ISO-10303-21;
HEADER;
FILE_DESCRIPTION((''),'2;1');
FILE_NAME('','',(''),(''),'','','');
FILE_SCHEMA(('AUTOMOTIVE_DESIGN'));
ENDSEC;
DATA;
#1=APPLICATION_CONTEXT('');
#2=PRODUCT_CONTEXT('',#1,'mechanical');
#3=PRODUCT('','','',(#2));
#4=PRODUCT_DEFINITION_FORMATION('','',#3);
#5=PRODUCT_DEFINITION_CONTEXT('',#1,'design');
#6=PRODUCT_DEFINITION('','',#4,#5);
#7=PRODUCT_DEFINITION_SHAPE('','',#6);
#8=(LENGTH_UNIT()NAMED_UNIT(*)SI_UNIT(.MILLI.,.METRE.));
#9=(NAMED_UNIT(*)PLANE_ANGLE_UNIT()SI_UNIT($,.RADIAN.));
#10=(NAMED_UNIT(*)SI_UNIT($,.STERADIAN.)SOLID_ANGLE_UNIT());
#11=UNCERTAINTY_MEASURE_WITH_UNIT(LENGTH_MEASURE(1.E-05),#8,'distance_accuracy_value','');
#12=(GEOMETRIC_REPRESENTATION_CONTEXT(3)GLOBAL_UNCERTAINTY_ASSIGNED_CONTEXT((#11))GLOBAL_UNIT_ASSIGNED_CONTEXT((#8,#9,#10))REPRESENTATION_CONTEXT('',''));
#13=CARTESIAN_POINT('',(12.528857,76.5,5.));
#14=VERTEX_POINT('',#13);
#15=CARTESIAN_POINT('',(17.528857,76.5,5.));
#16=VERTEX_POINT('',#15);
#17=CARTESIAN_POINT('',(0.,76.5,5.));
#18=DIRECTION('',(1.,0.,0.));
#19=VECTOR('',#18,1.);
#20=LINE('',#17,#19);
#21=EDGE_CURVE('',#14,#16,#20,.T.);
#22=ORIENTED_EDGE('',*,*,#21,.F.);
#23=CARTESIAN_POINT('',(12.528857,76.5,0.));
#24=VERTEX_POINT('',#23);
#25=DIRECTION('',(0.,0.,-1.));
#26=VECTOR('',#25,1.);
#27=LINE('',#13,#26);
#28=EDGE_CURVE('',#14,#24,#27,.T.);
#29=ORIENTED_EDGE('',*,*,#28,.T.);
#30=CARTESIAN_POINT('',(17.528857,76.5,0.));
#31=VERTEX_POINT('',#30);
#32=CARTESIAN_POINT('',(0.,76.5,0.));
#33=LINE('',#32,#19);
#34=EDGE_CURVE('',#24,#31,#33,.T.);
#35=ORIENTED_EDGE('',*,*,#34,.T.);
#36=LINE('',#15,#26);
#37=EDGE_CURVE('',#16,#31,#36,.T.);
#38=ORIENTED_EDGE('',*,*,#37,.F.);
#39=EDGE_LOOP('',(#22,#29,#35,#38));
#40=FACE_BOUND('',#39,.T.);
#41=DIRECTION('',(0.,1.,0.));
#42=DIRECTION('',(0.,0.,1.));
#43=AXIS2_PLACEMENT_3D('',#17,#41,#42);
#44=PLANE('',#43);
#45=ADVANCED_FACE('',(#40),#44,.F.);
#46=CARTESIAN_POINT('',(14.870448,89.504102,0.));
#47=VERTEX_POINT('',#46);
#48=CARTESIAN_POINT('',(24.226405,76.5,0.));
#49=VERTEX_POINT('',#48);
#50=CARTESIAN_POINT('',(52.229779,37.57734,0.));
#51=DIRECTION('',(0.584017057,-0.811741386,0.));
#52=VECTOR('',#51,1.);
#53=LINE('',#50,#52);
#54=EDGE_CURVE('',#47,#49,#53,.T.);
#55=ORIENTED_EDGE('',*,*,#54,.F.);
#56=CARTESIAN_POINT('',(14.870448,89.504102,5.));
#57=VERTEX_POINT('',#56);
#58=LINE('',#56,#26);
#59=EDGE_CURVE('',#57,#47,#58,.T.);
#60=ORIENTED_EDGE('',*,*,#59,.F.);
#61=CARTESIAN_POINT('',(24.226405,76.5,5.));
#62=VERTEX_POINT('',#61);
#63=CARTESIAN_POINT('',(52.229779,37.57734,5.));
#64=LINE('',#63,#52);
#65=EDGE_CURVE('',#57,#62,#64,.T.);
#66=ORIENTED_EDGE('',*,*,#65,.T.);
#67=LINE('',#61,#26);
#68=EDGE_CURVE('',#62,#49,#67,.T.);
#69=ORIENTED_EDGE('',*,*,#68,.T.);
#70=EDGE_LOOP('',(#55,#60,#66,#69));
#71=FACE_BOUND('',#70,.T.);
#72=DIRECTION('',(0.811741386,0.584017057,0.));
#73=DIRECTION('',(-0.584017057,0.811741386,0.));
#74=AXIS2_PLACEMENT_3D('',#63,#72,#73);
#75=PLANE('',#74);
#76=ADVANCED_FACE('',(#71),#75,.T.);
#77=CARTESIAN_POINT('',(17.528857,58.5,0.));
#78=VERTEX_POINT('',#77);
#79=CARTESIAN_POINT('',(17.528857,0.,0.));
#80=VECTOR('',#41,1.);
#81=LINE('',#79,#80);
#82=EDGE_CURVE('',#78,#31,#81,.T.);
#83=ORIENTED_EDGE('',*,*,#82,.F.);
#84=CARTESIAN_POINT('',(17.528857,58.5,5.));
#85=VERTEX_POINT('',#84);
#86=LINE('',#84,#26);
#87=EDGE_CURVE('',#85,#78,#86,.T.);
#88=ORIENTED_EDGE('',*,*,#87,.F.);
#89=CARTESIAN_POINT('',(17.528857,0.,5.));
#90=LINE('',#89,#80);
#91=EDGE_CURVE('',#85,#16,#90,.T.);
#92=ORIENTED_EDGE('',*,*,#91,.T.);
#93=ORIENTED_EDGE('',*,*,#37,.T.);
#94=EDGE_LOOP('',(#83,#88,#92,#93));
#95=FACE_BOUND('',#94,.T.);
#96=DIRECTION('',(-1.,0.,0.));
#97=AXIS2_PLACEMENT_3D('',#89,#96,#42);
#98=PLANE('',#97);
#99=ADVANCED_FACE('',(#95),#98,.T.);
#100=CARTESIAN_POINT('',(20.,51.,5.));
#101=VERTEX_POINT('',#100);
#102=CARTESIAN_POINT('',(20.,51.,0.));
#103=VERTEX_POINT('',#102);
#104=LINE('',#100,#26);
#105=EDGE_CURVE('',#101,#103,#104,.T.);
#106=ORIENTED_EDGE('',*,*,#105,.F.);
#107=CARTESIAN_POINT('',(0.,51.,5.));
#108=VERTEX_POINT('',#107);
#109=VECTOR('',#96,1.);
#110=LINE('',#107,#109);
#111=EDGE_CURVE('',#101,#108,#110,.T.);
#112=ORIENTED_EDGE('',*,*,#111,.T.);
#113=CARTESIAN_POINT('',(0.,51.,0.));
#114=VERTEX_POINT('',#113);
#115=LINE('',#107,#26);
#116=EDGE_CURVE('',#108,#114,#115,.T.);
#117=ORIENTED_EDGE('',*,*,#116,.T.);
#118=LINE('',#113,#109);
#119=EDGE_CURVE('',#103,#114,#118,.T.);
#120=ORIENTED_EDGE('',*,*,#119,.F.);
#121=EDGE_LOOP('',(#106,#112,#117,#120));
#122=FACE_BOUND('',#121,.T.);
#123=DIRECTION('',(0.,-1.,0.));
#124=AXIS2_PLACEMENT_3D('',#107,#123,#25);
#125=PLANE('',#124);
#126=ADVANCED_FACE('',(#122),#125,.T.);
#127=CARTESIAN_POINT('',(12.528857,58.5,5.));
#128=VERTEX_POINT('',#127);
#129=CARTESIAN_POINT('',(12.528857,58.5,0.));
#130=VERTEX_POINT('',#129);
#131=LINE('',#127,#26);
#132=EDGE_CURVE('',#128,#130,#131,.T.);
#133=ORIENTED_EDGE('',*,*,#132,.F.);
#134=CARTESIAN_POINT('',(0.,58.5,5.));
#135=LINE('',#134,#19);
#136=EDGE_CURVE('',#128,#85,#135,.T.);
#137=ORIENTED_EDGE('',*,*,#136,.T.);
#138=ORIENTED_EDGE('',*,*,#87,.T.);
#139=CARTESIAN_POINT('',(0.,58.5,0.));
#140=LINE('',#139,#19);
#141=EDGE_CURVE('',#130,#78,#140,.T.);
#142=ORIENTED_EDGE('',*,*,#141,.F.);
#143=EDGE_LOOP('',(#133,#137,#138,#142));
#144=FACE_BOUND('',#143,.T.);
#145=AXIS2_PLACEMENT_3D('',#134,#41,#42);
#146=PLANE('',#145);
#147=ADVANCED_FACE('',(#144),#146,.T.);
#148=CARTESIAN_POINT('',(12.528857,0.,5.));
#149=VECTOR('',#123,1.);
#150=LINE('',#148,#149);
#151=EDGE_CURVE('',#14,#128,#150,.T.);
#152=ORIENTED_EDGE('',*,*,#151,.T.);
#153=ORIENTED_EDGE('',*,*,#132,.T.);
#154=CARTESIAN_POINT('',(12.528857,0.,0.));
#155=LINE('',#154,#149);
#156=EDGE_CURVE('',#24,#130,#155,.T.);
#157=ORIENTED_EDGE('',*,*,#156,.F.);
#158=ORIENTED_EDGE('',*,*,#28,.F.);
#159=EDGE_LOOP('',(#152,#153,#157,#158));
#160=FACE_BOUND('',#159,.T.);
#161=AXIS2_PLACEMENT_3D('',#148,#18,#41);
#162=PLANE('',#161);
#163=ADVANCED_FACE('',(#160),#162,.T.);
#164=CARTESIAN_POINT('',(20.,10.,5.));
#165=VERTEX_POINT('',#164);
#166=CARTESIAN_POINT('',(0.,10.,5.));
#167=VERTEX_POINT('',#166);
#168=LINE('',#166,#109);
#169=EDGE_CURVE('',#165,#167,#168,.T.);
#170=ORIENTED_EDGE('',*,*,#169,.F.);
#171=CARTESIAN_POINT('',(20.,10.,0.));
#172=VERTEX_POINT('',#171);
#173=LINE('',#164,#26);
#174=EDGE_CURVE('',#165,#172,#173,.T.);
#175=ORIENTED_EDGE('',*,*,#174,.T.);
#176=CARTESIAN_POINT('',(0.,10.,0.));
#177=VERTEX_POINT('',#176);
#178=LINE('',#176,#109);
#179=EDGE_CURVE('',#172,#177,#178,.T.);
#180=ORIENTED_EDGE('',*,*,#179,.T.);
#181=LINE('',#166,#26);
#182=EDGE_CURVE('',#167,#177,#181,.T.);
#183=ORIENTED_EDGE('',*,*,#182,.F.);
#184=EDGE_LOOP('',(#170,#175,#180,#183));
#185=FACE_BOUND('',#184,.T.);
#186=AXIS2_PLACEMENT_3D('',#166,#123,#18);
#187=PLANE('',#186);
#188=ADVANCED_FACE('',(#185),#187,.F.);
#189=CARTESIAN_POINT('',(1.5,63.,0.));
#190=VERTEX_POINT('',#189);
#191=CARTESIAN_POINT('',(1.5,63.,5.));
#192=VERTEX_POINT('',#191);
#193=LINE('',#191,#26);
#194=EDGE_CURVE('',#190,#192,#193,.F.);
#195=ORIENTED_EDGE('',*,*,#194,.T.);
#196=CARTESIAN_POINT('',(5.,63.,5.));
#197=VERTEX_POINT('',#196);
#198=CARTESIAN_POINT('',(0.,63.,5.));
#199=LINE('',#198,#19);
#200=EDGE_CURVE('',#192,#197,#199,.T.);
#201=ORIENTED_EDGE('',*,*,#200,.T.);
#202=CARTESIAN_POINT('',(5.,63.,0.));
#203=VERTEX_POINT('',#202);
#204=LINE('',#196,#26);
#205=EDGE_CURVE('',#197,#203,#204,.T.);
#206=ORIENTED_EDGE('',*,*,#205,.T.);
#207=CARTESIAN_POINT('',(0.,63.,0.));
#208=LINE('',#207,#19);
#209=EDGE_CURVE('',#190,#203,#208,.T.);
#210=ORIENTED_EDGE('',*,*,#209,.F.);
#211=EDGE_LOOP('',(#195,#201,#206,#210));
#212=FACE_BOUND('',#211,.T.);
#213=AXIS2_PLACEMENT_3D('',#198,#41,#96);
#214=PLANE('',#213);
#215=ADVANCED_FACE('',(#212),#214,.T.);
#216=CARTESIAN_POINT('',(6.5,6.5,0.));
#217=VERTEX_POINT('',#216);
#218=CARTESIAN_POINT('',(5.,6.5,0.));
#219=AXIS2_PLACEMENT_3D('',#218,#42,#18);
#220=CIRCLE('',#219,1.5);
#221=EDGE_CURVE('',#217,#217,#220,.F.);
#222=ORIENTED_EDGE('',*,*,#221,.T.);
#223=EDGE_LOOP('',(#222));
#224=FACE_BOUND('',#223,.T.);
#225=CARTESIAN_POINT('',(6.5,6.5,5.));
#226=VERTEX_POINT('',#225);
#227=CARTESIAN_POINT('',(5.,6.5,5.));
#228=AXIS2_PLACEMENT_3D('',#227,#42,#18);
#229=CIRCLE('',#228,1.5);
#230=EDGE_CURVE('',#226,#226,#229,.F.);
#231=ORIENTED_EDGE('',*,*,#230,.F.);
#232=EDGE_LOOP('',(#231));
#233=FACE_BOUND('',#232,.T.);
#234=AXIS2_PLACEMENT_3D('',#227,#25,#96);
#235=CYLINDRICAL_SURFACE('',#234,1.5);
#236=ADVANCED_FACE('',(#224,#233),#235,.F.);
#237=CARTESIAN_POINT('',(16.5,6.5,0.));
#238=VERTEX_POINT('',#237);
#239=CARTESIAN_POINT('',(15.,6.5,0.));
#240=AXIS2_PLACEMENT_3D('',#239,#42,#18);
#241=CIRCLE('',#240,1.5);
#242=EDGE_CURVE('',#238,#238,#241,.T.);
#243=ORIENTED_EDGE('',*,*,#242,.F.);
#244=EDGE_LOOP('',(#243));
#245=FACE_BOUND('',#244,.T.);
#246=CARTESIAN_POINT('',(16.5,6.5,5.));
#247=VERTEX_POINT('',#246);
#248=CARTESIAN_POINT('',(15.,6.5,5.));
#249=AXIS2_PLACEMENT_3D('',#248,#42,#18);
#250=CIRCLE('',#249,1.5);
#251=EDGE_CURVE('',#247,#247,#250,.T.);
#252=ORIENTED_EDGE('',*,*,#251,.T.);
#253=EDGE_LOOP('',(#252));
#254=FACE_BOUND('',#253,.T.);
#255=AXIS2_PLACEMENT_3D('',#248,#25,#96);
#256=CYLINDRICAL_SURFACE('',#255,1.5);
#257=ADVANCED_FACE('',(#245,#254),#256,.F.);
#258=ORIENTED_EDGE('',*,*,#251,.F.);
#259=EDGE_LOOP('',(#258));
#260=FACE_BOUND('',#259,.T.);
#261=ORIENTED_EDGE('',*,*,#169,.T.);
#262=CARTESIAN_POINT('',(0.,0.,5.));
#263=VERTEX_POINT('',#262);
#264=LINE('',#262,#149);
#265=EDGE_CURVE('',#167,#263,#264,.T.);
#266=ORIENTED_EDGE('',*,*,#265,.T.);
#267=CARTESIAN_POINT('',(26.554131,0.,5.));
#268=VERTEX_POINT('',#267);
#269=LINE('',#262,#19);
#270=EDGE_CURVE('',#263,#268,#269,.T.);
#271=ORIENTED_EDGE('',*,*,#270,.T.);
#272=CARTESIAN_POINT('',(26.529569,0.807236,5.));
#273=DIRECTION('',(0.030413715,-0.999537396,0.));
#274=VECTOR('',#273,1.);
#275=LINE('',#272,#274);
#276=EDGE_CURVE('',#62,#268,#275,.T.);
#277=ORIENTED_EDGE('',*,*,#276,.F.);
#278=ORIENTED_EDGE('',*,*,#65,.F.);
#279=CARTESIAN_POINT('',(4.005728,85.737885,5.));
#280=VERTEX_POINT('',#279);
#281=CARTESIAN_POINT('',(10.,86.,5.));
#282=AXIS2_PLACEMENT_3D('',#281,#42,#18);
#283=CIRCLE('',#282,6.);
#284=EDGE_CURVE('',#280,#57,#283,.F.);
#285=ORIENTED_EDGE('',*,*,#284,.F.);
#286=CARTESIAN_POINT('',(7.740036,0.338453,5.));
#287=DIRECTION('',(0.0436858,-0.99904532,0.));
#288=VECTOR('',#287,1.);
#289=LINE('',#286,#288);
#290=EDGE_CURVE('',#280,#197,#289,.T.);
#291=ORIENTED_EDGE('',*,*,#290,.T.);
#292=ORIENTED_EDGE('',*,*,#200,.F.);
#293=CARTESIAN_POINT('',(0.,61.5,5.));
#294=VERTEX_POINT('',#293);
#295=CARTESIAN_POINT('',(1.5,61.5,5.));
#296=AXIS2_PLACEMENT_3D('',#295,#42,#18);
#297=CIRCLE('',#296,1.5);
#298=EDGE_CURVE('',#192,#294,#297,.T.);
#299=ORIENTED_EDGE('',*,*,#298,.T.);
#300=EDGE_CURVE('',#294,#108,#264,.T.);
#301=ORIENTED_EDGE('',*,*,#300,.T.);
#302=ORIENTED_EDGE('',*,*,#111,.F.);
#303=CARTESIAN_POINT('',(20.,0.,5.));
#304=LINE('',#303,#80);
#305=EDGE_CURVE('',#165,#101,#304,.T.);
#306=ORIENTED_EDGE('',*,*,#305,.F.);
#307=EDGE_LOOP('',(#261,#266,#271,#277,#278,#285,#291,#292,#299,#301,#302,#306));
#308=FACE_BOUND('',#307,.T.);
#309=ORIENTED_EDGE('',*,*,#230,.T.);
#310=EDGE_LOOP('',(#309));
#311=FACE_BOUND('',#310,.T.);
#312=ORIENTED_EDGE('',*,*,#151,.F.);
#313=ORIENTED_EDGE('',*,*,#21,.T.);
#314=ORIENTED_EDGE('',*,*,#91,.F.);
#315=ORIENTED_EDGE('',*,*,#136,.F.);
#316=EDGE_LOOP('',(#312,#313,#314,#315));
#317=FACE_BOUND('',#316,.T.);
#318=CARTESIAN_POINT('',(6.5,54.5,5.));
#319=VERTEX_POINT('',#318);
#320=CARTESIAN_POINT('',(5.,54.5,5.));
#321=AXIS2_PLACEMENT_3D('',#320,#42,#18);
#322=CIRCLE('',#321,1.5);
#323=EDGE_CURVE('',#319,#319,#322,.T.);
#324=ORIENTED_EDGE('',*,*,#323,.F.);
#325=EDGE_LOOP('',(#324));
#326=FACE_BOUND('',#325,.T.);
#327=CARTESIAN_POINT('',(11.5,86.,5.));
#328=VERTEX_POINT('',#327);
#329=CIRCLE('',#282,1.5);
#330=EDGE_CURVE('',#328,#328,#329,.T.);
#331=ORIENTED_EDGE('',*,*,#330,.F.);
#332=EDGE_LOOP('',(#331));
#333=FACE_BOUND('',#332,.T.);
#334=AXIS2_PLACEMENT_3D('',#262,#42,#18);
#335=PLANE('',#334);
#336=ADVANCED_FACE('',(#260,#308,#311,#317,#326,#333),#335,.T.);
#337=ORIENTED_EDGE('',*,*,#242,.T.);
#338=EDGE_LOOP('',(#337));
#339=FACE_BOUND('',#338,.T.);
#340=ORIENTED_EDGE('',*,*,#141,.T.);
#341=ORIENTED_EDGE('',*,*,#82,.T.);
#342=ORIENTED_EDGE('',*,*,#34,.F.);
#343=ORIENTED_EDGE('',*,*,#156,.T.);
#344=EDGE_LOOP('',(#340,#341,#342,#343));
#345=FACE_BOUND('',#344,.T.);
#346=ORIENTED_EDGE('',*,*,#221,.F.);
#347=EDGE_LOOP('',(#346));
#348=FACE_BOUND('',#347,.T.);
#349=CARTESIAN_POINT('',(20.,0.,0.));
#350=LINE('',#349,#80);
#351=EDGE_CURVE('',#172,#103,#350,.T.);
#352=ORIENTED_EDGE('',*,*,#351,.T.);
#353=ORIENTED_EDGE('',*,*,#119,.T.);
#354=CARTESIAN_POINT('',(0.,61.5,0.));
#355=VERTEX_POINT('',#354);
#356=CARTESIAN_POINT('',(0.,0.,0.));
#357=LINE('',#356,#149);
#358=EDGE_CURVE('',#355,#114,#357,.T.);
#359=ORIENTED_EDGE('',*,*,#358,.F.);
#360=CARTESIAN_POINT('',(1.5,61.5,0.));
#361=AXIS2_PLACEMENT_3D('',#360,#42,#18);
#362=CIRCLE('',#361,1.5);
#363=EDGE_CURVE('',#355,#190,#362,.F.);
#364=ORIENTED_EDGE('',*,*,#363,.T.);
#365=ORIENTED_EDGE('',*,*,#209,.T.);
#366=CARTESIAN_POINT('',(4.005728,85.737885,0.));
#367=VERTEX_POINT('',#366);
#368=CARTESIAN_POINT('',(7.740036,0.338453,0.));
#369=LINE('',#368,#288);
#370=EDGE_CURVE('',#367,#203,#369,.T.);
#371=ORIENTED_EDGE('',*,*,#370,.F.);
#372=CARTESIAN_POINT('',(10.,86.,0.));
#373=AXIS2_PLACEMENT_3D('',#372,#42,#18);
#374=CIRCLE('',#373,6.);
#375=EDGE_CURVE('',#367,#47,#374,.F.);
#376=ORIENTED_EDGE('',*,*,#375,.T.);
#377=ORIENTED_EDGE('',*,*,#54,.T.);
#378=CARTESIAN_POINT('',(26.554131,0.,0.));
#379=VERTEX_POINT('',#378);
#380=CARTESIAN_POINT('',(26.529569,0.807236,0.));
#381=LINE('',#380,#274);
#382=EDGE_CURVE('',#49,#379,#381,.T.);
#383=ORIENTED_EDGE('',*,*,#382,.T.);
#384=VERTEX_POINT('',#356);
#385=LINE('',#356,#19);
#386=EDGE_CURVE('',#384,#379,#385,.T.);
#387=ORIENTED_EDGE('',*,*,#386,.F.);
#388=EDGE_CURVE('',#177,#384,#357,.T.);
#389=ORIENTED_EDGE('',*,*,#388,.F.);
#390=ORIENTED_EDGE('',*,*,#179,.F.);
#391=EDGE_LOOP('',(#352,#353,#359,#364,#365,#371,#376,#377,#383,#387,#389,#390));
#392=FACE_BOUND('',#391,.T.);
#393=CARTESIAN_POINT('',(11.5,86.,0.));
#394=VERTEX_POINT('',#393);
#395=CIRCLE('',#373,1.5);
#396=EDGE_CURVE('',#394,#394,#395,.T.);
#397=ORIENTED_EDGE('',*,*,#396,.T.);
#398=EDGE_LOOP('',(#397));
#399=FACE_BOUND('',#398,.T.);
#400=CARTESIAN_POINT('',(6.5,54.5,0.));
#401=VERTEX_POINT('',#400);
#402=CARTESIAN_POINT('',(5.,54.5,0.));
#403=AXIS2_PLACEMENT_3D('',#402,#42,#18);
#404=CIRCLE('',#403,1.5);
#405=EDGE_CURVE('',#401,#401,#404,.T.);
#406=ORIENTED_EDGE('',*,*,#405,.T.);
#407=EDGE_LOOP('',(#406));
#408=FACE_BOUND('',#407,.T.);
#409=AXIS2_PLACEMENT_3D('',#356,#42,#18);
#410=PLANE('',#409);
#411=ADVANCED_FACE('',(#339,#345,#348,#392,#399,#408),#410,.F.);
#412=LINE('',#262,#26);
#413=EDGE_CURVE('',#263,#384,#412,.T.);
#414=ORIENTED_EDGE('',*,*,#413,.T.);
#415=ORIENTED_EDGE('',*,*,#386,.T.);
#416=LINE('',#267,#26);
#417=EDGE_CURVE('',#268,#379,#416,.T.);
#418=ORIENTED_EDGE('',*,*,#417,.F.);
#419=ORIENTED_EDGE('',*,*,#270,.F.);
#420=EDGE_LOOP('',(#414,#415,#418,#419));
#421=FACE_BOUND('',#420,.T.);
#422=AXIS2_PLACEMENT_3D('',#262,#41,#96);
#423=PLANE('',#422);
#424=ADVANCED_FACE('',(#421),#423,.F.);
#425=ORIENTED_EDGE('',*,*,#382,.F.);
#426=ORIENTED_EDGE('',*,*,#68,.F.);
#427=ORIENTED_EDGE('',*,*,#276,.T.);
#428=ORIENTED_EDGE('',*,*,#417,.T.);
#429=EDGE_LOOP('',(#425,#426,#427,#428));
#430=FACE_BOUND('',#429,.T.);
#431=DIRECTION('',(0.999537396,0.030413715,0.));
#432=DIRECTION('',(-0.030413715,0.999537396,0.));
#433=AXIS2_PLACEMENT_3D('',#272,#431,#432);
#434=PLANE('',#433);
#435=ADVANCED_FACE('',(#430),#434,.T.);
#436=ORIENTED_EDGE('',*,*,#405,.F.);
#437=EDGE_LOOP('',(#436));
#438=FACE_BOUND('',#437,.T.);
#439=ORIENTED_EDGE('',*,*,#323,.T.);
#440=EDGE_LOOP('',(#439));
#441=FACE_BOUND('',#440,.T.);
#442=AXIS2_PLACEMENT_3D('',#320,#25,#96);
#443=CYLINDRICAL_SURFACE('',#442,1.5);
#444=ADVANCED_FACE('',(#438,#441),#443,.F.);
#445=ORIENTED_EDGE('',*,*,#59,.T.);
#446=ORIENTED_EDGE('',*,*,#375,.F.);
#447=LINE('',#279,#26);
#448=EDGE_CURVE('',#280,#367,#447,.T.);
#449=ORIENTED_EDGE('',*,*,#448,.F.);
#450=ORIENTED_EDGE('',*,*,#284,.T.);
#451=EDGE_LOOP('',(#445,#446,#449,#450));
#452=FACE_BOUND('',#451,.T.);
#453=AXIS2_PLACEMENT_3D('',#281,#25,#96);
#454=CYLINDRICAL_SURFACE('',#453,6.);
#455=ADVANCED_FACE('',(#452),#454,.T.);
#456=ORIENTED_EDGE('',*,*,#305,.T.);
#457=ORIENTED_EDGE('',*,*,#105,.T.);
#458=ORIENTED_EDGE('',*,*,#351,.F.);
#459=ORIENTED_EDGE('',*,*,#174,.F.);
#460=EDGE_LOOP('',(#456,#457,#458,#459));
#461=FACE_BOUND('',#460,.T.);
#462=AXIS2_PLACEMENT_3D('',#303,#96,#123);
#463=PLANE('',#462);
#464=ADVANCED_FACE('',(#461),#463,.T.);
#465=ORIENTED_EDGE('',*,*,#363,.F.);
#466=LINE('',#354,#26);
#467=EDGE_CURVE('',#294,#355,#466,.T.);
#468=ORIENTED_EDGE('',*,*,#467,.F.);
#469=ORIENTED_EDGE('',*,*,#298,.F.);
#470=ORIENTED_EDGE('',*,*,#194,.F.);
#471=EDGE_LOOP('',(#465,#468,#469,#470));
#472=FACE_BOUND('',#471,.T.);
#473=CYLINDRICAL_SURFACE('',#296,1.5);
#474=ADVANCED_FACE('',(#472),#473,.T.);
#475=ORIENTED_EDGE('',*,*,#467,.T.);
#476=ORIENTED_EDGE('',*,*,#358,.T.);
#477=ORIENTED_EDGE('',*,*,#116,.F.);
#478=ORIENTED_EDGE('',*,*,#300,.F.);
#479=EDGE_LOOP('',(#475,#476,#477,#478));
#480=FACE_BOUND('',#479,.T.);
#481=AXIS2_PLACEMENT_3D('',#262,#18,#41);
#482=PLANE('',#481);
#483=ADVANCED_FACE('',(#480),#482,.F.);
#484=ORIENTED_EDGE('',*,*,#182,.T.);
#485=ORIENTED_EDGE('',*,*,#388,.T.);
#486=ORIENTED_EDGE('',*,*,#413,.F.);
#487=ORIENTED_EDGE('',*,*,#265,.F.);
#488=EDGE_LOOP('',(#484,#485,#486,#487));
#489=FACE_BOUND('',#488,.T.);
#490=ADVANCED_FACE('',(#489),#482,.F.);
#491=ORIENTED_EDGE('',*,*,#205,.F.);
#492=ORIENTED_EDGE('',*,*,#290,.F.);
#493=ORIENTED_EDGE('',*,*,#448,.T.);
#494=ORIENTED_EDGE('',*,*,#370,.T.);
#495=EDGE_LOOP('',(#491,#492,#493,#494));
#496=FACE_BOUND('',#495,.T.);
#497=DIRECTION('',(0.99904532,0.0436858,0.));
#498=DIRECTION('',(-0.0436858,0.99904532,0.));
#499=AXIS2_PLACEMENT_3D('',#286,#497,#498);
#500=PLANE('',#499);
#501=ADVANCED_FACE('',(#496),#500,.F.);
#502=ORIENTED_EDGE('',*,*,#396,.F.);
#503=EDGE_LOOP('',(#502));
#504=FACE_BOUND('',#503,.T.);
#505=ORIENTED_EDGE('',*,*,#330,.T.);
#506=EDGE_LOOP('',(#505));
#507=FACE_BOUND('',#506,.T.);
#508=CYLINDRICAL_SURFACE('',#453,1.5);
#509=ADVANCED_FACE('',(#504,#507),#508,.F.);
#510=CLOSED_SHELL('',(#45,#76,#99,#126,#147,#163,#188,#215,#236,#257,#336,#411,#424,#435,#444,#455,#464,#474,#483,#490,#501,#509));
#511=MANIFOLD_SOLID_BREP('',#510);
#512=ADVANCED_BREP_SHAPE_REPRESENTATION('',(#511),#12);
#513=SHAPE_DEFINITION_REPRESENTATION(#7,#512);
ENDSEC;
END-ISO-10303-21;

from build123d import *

# Parameters (mm, degrees)
ESQUISSE1_R        = 1.5
ESQUISSE1_W        = 5
ESQUISSE1_H        = 18
BOSS_EXTRU_1_DEPTH = 5
CONG_3_R           = 1.5


with BuildPart() as part:
    # Esquisse1 → Boss.-Extru.1 (new body)
    with BuildSketch(Plane.XY):
        with BuildLine():
            Line((0, 10), (0, 0))
            Line((0, 0), (26.554131445, 0))
            Line((26.554131445, 0), (24.226405413, 76.5))
            Line((24.226405413, 76.5), (14.870448313, 89.504102342))
            ThreePointArc((14.870448313, 89.504102342), (8.034842814, 91.669052587), (4.005728082, 85.7378852))
            Line((4.005728082, 85.7378852), (5, 63))
            Line((5, 63), (0, 63))
            Line((0, 63), (0, 51))
            Line((0, 51), (11, 51))
            Line((11, 51), (20, 51))
            Line((20, 51), (20, 10))
            Line((20, 10), (11, 10))
            Line((11, 10), (0, 10))
        make_face()
        with Locations((5, 54.5)):
            Circle(ESQUISSE1_R, mode=Mode.SUBTRACT)
        with Locations((15, 6.5)):
            Circle(ESQUISSE1_R, mode=Mode.SUBTRACT)
        with Locations((5, 6.5)):
            Circle(ESQUISSE1_R, mode=Mode.SUBTRACT)
        with Locations((10, 86)):
            Circle(ESQUISSE1_R, mode=Mode.SUBTRACT)
        with Locations((15.02885683, 67.5)):
            Rectangle(ESQUISSE1_W, ESQUISSE1_H, mode=Mode.SUBTRACT)
    extrude(amount=BOSS_EXTRU_1_DEPTH)

    # Congé3
    cong_3_edges = [part.edges().sort_by_distance(p)[0] for p in [
        (0, 63, 2.5),
    ]]
    fillet(cong_3_edges, radius=CONG_3_R)


solid = part.part
